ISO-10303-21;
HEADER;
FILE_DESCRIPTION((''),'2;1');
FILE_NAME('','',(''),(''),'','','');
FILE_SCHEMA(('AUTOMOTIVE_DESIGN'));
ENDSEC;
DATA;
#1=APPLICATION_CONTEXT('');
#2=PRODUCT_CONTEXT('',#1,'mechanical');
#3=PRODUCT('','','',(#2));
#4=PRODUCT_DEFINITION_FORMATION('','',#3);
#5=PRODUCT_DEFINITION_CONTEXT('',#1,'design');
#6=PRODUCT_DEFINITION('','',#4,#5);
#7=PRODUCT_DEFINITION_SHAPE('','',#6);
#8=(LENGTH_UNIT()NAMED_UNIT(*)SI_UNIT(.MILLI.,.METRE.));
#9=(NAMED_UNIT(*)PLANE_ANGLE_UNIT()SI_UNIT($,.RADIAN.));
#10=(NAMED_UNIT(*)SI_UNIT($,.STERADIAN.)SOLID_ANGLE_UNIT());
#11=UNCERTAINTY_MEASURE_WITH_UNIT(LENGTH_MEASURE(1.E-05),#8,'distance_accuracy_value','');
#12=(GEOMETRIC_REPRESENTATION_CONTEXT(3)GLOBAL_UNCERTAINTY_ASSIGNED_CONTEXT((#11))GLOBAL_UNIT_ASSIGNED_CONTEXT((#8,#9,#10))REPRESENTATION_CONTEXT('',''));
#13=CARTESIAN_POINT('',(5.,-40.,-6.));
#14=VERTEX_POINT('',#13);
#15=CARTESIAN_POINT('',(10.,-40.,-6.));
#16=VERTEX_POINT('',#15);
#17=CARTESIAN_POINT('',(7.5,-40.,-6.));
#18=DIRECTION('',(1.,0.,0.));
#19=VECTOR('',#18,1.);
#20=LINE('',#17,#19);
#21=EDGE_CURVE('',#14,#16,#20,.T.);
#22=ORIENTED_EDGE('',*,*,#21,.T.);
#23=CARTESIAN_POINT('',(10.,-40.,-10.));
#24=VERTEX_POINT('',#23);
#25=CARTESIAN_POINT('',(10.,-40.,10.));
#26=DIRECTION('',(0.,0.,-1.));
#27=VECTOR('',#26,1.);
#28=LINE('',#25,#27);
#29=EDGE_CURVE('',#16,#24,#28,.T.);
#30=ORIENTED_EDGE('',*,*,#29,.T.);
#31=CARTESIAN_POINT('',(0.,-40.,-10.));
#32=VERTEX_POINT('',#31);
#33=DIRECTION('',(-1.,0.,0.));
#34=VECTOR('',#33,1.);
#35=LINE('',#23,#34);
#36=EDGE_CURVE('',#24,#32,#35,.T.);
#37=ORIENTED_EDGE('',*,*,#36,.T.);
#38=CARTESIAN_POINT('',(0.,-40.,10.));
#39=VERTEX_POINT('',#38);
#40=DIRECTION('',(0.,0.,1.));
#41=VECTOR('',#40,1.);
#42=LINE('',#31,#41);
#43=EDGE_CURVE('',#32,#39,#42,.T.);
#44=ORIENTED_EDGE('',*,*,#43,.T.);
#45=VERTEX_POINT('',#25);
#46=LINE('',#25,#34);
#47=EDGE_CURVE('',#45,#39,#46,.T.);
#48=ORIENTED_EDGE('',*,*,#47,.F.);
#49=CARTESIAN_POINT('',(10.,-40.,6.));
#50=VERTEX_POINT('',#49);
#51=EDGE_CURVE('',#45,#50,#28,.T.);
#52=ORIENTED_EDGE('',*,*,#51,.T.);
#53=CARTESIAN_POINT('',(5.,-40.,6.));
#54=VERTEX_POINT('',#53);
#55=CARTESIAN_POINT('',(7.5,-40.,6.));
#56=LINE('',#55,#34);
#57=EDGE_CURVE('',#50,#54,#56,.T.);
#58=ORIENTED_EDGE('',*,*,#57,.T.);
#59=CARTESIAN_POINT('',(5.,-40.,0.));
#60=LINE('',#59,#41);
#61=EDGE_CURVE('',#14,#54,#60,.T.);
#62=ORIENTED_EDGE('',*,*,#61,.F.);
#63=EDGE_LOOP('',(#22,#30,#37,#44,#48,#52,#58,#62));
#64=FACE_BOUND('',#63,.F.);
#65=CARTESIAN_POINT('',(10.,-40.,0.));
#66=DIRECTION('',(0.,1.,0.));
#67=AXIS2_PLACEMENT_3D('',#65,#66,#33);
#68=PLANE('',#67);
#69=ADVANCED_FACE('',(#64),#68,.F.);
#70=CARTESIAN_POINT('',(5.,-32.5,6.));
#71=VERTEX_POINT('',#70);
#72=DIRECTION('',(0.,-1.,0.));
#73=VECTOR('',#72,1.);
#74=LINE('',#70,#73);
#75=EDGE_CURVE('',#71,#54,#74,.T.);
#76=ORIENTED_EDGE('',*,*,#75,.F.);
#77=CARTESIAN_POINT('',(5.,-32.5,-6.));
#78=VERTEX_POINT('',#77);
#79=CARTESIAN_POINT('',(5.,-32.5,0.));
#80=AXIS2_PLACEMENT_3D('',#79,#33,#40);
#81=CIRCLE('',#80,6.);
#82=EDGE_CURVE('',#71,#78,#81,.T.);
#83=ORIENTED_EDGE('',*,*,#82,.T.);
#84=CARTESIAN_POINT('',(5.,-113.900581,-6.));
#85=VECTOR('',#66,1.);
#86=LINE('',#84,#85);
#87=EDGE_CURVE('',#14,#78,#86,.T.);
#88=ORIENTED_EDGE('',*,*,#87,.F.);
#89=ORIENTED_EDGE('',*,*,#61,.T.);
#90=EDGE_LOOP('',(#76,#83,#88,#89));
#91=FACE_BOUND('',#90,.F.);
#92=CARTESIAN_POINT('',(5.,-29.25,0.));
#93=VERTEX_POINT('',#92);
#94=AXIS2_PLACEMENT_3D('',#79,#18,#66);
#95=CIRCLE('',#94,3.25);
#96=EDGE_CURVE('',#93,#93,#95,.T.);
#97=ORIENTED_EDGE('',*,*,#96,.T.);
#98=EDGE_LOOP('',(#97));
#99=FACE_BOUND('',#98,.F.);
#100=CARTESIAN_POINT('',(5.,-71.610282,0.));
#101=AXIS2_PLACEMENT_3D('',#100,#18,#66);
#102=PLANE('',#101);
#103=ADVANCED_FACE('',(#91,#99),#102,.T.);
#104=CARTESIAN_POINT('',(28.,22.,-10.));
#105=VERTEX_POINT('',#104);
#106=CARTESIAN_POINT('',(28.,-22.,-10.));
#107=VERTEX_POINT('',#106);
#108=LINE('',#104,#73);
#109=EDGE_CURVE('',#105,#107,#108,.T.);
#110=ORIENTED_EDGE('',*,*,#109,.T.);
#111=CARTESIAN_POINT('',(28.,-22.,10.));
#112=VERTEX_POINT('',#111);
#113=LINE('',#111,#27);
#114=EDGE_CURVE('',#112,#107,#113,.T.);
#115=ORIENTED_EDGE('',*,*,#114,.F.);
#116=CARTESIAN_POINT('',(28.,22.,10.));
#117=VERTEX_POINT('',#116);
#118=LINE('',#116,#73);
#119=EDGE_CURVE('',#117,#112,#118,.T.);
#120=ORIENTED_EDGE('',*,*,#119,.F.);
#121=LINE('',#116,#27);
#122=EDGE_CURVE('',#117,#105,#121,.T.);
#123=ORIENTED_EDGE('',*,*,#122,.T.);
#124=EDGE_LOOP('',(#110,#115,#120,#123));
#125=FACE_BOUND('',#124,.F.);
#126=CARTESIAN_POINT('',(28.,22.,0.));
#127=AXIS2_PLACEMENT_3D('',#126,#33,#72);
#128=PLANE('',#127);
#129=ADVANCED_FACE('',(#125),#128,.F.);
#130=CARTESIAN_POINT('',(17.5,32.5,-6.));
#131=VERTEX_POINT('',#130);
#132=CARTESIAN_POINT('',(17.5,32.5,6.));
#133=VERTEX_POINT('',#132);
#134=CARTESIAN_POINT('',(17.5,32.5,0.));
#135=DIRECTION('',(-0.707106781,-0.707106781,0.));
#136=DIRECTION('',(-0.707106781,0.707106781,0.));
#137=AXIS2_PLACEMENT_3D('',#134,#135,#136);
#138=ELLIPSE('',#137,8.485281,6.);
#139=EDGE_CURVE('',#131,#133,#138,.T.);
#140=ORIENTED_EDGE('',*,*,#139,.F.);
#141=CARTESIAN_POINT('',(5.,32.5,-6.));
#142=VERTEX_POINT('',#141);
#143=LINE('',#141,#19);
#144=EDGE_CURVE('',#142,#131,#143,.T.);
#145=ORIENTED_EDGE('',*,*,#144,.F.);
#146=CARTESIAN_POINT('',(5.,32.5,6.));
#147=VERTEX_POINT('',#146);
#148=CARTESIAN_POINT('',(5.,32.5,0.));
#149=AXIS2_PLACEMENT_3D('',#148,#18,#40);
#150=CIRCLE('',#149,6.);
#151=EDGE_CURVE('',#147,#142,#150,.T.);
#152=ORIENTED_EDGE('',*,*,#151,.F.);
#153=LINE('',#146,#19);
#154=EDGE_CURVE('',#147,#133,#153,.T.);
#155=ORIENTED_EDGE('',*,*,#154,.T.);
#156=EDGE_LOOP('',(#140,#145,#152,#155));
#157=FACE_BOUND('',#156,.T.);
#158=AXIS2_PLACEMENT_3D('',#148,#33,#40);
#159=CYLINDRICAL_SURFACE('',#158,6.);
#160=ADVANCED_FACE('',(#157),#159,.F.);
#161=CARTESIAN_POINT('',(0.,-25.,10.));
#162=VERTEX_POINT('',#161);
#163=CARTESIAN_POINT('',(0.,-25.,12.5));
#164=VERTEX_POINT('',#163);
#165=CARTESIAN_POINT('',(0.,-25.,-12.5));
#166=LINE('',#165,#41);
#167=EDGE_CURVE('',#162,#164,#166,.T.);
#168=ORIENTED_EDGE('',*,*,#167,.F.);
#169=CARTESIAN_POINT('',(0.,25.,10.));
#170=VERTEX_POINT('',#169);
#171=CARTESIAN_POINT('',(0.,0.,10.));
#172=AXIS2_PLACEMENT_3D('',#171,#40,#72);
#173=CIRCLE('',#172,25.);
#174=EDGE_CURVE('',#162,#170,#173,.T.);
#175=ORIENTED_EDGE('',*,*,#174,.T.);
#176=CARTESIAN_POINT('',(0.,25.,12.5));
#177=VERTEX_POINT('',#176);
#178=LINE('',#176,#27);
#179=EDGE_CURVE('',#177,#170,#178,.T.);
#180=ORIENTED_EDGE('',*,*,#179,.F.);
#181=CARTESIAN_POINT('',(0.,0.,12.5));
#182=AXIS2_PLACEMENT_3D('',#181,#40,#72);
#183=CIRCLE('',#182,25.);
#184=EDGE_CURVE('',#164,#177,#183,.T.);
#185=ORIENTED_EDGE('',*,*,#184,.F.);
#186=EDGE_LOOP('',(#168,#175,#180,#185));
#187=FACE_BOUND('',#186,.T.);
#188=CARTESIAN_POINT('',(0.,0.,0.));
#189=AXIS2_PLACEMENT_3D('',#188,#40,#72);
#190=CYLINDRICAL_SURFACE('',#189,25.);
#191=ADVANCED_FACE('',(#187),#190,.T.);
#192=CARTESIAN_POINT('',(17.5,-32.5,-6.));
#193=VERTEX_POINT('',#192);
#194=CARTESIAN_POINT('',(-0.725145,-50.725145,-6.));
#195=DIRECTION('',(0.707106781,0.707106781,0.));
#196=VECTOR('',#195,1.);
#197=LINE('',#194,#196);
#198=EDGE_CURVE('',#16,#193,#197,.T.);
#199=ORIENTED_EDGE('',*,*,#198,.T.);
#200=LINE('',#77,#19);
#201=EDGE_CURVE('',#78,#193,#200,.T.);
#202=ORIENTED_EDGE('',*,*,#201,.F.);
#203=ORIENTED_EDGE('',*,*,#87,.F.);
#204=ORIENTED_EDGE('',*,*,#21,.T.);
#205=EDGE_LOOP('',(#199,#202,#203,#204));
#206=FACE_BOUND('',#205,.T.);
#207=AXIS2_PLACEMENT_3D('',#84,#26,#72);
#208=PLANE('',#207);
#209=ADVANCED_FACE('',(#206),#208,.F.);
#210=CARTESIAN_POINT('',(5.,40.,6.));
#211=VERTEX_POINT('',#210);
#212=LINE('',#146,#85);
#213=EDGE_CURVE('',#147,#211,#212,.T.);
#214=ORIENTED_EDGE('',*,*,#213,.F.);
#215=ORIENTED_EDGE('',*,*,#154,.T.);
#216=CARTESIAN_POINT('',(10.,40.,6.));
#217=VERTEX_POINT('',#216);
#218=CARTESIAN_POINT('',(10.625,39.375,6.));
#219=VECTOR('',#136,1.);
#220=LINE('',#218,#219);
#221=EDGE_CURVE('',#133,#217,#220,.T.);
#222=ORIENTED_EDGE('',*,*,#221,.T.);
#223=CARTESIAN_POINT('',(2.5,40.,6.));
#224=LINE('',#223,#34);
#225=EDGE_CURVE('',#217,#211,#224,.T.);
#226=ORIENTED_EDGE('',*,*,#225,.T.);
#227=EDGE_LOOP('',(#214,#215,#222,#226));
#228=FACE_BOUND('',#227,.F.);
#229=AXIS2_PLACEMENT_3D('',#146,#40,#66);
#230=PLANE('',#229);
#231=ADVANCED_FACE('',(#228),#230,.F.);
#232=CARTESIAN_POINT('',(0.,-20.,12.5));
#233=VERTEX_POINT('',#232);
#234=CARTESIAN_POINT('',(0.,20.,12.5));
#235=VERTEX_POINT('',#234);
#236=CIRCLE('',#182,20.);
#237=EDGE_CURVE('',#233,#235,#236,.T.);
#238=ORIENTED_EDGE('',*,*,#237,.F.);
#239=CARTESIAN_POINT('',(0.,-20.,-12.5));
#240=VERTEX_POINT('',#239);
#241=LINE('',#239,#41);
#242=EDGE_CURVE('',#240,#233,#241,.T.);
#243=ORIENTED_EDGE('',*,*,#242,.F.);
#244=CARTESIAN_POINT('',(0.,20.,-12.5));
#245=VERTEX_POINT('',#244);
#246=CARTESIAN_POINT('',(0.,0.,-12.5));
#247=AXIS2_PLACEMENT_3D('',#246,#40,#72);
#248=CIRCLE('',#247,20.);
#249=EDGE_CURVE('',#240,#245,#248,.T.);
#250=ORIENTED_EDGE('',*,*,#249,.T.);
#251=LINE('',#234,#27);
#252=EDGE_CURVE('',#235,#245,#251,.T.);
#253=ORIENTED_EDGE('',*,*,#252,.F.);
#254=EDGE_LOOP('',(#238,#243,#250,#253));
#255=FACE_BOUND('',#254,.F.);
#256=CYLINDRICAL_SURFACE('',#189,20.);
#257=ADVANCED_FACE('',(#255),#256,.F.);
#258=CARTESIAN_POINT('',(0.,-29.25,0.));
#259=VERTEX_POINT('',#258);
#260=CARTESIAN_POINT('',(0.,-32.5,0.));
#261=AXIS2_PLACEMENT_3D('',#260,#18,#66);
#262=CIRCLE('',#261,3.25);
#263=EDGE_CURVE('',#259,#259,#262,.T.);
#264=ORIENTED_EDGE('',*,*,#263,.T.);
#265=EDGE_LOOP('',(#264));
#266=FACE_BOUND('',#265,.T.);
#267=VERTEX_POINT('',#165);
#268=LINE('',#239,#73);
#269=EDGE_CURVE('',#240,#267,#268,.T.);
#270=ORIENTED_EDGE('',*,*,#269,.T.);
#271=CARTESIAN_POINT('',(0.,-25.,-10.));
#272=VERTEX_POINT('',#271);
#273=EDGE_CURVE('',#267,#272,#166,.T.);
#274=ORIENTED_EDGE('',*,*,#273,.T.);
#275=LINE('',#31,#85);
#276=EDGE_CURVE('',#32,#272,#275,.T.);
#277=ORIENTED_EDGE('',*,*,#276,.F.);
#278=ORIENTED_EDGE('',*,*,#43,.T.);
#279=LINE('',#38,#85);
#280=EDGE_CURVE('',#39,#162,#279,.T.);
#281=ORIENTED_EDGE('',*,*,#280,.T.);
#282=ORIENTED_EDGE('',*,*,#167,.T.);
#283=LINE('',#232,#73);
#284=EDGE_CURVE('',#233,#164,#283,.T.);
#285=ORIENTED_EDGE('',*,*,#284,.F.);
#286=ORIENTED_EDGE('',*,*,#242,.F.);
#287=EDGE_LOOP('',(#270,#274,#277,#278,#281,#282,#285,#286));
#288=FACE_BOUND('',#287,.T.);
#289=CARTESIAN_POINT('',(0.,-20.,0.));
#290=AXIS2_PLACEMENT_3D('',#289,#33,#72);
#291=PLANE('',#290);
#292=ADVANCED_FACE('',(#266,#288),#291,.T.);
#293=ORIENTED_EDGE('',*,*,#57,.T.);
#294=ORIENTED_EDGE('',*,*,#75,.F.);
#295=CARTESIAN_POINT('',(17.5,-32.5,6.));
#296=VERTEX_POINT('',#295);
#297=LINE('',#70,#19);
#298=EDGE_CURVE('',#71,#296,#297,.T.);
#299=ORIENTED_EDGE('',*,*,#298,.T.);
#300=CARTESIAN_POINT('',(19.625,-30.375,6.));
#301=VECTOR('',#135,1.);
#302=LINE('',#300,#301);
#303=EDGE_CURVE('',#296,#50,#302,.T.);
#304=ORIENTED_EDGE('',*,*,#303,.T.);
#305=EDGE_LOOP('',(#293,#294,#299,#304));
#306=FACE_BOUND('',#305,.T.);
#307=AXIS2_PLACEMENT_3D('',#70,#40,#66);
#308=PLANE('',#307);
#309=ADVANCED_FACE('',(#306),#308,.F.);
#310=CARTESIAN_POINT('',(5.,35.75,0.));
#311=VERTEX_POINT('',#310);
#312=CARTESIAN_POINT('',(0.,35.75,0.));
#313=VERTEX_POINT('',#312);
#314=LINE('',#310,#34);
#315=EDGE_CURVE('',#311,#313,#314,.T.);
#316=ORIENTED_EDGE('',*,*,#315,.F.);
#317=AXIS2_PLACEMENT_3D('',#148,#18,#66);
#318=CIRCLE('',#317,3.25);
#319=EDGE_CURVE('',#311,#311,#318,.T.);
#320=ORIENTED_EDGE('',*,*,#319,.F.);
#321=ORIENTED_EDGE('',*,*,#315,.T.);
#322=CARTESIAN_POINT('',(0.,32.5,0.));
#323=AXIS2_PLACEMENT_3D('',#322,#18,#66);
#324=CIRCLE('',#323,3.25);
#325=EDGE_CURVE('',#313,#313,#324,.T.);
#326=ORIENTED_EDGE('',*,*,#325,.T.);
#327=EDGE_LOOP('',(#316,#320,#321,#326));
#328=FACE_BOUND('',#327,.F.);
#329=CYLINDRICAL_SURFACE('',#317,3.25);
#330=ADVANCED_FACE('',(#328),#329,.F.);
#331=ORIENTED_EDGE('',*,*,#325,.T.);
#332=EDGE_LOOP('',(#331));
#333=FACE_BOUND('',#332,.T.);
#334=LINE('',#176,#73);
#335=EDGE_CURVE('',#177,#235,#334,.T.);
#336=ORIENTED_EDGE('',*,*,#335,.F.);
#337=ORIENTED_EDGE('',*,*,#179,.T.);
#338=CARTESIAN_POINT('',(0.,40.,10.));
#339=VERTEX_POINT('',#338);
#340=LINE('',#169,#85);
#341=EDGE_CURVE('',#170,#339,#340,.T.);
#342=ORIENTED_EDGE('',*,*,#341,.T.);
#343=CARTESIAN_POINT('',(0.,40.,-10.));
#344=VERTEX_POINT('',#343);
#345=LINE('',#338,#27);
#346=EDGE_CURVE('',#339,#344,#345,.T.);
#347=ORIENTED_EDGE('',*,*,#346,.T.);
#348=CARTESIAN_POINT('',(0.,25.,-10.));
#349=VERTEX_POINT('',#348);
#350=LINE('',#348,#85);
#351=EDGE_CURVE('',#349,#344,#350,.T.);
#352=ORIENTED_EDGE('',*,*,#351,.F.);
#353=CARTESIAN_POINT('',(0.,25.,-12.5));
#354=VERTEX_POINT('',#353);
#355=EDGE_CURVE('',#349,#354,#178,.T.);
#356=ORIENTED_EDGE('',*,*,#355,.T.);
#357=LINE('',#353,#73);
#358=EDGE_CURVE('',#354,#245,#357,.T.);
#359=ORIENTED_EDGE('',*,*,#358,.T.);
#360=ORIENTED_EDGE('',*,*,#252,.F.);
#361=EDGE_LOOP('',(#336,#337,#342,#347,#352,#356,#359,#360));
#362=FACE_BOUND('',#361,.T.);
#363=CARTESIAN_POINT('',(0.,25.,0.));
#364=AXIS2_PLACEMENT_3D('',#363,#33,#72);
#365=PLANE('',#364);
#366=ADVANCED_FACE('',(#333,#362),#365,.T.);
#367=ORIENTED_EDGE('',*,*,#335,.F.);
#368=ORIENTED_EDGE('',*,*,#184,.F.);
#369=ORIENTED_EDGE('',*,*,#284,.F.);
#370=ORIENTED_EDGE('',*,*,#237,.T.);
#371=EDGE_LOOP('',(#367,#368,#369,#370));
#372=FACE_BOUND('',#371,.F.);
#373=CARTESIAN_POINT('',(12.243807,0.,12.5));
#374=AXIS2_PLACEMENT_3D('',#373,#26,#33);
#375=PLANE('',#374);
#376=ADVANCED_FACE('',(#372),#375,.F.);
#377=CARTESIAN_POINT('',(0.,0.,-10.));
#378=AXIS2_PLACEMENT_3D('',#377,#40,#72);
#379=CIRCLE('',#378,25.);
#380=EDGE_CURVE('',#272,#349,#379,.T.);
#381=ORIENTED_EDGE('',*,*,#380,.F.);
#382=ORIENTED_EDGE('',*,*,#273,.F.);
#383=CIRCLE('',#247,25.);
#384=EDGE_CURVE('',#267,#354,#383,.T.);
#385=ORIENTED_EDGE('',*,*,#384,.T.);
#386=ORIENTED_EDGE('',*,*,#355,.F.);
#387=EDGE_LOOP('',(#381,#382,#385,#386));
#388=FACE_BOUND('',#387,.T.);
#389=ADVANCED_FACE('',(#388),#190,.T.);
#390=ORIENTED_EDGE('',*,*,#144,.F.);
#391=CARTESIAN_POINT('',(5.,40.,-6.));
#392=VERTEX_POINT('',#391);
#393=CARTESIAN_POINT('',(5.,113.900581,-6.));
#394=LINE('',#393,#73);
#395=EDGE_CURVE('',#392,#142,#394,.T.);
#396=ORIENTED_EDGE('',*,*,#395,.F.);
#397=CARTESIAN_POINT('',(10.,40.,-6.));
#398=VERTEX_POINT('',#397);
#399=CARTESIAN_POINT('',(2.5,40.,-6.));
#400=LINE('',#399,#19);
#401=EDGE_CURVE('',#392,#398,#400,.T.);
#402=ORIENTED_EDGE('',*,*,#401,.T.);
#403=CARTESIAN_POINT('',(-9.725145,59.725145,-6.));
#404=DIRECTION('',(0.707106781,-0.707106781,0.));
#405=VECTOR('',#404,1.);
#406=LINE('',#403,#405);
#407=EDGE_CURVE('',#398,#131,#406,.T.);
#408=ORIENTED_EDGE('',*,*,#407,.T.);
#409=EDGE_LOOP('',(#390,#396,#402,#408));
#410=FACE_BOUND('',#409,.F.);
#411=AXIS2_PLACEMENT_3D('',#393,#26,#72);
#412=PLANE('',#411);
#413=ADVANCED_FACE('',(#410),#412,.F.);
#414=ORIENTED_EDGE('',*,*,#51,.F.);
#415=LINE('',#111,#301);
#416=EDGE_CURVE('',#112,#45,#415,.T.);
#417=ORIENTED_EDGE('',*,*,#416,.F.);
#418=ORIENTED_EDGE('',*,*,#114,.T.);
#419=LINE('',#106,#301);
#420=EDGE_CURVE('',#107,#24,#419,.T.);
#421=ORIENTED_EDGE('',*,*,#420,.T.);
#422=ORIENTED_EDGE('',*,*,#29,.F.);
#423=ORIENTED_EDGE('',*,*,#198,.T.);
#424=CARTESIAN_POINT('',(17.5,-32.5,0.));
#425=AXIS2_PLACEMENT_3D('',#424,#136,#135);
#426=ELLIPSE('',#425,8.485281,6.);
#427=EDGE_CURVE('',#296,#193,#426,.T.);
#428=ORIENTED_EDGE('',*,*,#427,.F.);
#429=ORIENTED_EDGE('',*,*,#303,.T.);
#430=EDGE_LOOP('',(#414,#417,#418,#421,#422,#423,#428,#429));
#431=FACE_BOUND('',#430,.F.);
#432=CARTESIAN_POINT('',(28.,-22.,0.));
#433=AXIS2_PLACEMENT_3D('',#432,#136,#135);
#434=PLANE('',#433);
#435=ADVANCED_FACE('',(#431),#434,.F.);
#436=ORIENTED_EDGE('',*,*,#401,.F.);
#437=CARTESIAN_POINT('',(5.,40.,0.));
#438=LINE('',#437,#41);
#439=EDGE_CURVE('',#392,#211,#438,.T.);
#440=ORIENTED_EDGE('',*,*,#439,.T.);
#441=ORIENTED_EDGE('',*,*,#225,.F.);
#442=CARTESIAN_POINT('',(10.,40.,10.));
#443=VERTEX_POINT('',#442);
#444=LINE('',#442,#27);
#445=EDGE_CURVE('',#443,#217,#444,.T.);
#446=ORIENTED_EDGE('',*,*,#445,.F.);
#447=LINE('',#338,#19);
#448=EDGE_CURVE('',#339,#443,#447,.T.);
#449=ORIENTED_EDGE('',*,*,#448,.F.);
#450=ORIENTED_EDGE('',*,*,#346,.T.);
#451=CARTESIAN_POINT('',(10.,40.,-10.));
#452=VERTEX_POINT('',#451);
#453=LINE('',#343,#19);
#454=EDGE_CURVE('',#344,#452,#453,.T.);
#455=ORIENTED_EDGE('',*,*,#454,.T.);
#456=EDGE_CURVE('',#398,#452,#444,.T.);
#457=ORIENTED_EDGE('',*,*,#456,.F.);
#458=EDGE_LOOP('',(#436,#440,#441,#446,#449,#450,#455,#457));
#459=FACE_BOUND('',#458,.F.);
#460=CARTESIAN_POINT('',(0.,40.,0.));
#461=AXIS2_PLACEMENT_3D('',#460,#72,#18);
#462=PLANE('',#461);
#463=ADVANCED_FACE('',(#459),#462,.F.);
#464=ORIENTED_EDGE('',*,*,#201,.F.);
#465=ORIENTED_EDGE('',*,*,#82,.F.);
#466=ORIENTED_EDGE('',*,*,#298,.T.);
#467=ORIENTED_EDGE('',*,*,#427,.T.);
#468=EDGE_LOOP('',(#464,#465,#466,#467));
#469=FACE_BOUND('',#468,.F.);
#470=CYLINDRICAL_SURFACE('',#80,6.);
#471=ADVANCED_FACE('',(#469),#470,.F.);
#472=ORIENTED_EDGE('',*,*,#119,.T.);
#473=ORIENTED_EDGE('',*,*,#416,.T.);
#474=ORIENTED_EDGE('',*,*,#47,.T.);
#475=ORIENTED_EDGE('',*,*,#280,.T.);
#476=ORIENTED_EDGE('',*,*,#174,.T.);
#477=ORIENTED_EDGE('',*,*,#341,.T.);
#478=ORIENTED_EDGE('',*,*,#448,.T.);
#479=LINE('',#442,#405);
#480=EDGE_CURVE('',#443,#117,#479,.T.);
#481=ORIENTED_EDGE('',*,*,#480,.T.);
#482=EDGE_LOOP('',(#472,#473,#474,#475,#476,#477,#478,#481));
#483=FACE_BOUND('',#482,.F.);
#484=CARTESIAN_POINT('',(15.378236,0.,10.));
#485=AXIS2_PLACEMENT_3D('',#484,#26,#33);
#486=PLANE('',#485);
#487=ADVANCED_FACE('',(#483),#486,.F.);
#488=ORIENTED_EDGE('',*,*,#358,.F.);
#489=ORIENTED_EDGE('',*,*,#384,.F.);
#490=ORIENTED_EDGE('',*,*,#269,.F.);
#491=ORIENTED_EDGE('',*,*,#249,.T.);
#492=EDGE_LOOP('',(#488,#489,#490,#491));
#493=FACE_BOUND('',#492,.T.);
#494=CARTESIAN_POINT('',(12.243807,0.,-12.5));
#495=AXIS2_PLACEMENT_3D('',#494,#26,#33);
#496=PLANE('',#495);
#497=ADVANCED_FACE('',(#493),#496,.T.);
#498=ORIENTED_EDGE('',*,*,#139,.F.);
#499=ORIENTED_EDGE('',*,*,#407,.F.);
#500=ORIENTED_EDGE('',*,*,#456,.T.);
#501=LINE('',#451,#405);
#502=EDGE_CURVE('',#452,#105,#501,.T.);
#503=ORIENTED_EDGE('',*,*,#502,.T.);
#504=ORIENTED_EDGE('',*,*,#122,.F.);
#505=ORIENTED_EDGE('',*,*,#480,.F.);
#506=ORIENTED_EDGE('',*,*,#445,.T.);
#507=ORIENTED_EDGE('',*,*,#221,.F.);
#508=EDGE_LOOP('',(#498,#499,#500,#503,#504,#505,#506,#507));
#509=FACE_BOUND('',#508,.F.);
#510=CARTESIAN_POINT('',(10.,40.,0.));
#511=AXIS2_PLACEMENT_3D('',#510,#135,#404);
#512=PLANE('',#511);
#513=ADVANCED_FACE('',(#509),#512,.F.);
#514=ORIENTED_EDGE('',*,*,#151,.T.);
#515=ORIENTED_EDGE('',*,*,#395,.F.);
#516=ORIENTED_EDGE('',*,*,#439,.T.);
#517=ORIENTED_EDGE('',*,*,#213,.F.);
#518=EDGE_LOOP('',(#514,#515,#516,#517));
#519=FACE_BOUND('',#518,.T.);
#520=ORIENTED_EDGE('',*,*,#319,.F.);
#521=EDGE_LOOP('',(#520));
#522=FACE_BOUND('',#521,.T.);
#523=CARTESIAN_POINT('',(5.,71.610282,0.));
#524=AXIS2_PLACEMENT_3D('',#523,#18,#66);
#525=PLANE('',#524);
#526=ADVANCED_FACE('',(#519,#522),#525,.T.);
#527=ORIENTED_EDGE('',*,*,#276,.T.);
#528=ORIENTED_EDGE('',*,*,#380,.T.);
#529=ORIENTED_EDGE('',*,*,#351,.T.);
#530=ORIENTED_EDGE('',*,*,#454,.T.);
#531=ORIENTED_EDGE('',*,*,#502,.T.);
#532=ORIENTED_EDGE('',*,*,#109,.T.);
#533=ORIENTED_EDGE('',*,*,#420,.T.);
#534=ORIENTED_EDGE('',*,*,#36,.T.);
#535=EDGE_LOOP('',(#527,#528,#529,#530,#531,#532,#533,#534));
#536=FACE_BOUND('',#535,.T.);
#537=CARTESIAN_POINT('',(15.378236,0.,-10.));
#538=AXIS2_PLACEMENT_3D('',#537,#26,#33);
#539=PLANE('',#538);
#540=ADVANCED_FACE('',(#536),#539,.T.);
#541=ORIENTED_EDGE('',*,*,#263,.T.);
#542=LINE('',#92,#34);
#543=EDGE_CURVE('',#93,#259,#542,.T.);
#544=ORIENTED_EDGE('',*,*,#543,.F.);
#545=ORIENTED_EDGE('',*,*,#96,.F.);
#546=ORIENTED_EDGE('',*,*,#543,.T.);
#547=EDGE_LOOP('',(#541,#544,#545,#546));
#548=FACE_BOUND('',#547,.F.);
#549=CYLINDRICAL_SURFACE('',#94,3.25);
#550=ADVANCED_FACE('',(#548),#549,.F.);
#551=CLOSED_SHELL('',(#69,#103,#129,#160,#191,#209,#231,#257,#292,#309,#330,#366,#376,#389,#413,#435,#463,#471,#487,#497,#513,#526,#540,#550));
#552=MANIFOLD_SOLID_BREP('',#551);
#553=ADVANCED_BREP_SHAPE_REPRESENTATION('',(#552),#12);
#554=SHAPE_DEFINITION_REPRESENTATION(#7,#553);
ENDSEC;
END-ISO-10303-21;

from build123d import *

# Parameters (mm, degrees)
PAD_DEPTH       = 12.5
PAD001_DEPTH    = 10
POCKET_DEPTH    = 199.738093
SKETCH003_R     = 3.25
POCKET001_DEPTH = 10


with BuildPart() as part:
    # Sketch → Pad (new body, symmetric)
    with BuildSketch(Plane.XY):
        with BuildLine():
            ThreePointArc((0, -20), (20, 0), (0, 20))
            Line((0, 25), (0, 20))
            ThreePointArc((0, -25), (25, 0), (0, 25))
            Line((0, -20), (0, -25))
        make_face()
    extrude(amount=PAD_DEPTH, both=True)

    # Sketch001 → Pad001 (join, symmetric)
    with BuildSketch(Plane.XY):
        with BuildLine():
            Line((0, 25), (0, 40))
            Line((0, 40), (10, 40))
            Line((10, 40), (28, 22))
            Line((28, 22), (28, -22))
            Line((28, -22), (10, -40))
            Line((10, -40), (0, -40))
            Line((0, -40), (0, -25))
            ThreePointArc((0, -25), (25, 0), (0, 25))
        make_face()
    extrude(amount=PAD001_DEPTH, both=True)

    # Sketch002 (on DatumPlane) → Pocket (cut, through all)
    with BuildSketch(Plane.YZ.offset(5)):
        with BuildLine():
            ThreePointArc((32.5, 6), (26.5, 0), (32.5, -6))
            Line((113.900581, -6), (32.5, -6))
            Line((113.900581, 6), (113.900581, -6))
            Line((32.5, 6), (113.900581, 6))
        make_face()
    pocket = extrude(amount=POCKET_DEPTH, mode=Mode.SUBTRACT)

    # Mirrored: Pocket across XZ
    add(pocket.mirror(Plane.XZ), mode=Mode.SUBTRACT)

    # Sketch003 (on DatumPlane) → Pocket001 (cut)
    with BuildSketch(Plane.YZ.offset(5)):
        with Locations((32.5, 0)):
            Circle(SKETCH003_R)
        with Locations((-32.5, 0)):
            Circle(SKETCH003_R)
    extrude(amount=-POCKET001_DEPTH, mode=Mode.SUBTRACT)


solid = part.part
